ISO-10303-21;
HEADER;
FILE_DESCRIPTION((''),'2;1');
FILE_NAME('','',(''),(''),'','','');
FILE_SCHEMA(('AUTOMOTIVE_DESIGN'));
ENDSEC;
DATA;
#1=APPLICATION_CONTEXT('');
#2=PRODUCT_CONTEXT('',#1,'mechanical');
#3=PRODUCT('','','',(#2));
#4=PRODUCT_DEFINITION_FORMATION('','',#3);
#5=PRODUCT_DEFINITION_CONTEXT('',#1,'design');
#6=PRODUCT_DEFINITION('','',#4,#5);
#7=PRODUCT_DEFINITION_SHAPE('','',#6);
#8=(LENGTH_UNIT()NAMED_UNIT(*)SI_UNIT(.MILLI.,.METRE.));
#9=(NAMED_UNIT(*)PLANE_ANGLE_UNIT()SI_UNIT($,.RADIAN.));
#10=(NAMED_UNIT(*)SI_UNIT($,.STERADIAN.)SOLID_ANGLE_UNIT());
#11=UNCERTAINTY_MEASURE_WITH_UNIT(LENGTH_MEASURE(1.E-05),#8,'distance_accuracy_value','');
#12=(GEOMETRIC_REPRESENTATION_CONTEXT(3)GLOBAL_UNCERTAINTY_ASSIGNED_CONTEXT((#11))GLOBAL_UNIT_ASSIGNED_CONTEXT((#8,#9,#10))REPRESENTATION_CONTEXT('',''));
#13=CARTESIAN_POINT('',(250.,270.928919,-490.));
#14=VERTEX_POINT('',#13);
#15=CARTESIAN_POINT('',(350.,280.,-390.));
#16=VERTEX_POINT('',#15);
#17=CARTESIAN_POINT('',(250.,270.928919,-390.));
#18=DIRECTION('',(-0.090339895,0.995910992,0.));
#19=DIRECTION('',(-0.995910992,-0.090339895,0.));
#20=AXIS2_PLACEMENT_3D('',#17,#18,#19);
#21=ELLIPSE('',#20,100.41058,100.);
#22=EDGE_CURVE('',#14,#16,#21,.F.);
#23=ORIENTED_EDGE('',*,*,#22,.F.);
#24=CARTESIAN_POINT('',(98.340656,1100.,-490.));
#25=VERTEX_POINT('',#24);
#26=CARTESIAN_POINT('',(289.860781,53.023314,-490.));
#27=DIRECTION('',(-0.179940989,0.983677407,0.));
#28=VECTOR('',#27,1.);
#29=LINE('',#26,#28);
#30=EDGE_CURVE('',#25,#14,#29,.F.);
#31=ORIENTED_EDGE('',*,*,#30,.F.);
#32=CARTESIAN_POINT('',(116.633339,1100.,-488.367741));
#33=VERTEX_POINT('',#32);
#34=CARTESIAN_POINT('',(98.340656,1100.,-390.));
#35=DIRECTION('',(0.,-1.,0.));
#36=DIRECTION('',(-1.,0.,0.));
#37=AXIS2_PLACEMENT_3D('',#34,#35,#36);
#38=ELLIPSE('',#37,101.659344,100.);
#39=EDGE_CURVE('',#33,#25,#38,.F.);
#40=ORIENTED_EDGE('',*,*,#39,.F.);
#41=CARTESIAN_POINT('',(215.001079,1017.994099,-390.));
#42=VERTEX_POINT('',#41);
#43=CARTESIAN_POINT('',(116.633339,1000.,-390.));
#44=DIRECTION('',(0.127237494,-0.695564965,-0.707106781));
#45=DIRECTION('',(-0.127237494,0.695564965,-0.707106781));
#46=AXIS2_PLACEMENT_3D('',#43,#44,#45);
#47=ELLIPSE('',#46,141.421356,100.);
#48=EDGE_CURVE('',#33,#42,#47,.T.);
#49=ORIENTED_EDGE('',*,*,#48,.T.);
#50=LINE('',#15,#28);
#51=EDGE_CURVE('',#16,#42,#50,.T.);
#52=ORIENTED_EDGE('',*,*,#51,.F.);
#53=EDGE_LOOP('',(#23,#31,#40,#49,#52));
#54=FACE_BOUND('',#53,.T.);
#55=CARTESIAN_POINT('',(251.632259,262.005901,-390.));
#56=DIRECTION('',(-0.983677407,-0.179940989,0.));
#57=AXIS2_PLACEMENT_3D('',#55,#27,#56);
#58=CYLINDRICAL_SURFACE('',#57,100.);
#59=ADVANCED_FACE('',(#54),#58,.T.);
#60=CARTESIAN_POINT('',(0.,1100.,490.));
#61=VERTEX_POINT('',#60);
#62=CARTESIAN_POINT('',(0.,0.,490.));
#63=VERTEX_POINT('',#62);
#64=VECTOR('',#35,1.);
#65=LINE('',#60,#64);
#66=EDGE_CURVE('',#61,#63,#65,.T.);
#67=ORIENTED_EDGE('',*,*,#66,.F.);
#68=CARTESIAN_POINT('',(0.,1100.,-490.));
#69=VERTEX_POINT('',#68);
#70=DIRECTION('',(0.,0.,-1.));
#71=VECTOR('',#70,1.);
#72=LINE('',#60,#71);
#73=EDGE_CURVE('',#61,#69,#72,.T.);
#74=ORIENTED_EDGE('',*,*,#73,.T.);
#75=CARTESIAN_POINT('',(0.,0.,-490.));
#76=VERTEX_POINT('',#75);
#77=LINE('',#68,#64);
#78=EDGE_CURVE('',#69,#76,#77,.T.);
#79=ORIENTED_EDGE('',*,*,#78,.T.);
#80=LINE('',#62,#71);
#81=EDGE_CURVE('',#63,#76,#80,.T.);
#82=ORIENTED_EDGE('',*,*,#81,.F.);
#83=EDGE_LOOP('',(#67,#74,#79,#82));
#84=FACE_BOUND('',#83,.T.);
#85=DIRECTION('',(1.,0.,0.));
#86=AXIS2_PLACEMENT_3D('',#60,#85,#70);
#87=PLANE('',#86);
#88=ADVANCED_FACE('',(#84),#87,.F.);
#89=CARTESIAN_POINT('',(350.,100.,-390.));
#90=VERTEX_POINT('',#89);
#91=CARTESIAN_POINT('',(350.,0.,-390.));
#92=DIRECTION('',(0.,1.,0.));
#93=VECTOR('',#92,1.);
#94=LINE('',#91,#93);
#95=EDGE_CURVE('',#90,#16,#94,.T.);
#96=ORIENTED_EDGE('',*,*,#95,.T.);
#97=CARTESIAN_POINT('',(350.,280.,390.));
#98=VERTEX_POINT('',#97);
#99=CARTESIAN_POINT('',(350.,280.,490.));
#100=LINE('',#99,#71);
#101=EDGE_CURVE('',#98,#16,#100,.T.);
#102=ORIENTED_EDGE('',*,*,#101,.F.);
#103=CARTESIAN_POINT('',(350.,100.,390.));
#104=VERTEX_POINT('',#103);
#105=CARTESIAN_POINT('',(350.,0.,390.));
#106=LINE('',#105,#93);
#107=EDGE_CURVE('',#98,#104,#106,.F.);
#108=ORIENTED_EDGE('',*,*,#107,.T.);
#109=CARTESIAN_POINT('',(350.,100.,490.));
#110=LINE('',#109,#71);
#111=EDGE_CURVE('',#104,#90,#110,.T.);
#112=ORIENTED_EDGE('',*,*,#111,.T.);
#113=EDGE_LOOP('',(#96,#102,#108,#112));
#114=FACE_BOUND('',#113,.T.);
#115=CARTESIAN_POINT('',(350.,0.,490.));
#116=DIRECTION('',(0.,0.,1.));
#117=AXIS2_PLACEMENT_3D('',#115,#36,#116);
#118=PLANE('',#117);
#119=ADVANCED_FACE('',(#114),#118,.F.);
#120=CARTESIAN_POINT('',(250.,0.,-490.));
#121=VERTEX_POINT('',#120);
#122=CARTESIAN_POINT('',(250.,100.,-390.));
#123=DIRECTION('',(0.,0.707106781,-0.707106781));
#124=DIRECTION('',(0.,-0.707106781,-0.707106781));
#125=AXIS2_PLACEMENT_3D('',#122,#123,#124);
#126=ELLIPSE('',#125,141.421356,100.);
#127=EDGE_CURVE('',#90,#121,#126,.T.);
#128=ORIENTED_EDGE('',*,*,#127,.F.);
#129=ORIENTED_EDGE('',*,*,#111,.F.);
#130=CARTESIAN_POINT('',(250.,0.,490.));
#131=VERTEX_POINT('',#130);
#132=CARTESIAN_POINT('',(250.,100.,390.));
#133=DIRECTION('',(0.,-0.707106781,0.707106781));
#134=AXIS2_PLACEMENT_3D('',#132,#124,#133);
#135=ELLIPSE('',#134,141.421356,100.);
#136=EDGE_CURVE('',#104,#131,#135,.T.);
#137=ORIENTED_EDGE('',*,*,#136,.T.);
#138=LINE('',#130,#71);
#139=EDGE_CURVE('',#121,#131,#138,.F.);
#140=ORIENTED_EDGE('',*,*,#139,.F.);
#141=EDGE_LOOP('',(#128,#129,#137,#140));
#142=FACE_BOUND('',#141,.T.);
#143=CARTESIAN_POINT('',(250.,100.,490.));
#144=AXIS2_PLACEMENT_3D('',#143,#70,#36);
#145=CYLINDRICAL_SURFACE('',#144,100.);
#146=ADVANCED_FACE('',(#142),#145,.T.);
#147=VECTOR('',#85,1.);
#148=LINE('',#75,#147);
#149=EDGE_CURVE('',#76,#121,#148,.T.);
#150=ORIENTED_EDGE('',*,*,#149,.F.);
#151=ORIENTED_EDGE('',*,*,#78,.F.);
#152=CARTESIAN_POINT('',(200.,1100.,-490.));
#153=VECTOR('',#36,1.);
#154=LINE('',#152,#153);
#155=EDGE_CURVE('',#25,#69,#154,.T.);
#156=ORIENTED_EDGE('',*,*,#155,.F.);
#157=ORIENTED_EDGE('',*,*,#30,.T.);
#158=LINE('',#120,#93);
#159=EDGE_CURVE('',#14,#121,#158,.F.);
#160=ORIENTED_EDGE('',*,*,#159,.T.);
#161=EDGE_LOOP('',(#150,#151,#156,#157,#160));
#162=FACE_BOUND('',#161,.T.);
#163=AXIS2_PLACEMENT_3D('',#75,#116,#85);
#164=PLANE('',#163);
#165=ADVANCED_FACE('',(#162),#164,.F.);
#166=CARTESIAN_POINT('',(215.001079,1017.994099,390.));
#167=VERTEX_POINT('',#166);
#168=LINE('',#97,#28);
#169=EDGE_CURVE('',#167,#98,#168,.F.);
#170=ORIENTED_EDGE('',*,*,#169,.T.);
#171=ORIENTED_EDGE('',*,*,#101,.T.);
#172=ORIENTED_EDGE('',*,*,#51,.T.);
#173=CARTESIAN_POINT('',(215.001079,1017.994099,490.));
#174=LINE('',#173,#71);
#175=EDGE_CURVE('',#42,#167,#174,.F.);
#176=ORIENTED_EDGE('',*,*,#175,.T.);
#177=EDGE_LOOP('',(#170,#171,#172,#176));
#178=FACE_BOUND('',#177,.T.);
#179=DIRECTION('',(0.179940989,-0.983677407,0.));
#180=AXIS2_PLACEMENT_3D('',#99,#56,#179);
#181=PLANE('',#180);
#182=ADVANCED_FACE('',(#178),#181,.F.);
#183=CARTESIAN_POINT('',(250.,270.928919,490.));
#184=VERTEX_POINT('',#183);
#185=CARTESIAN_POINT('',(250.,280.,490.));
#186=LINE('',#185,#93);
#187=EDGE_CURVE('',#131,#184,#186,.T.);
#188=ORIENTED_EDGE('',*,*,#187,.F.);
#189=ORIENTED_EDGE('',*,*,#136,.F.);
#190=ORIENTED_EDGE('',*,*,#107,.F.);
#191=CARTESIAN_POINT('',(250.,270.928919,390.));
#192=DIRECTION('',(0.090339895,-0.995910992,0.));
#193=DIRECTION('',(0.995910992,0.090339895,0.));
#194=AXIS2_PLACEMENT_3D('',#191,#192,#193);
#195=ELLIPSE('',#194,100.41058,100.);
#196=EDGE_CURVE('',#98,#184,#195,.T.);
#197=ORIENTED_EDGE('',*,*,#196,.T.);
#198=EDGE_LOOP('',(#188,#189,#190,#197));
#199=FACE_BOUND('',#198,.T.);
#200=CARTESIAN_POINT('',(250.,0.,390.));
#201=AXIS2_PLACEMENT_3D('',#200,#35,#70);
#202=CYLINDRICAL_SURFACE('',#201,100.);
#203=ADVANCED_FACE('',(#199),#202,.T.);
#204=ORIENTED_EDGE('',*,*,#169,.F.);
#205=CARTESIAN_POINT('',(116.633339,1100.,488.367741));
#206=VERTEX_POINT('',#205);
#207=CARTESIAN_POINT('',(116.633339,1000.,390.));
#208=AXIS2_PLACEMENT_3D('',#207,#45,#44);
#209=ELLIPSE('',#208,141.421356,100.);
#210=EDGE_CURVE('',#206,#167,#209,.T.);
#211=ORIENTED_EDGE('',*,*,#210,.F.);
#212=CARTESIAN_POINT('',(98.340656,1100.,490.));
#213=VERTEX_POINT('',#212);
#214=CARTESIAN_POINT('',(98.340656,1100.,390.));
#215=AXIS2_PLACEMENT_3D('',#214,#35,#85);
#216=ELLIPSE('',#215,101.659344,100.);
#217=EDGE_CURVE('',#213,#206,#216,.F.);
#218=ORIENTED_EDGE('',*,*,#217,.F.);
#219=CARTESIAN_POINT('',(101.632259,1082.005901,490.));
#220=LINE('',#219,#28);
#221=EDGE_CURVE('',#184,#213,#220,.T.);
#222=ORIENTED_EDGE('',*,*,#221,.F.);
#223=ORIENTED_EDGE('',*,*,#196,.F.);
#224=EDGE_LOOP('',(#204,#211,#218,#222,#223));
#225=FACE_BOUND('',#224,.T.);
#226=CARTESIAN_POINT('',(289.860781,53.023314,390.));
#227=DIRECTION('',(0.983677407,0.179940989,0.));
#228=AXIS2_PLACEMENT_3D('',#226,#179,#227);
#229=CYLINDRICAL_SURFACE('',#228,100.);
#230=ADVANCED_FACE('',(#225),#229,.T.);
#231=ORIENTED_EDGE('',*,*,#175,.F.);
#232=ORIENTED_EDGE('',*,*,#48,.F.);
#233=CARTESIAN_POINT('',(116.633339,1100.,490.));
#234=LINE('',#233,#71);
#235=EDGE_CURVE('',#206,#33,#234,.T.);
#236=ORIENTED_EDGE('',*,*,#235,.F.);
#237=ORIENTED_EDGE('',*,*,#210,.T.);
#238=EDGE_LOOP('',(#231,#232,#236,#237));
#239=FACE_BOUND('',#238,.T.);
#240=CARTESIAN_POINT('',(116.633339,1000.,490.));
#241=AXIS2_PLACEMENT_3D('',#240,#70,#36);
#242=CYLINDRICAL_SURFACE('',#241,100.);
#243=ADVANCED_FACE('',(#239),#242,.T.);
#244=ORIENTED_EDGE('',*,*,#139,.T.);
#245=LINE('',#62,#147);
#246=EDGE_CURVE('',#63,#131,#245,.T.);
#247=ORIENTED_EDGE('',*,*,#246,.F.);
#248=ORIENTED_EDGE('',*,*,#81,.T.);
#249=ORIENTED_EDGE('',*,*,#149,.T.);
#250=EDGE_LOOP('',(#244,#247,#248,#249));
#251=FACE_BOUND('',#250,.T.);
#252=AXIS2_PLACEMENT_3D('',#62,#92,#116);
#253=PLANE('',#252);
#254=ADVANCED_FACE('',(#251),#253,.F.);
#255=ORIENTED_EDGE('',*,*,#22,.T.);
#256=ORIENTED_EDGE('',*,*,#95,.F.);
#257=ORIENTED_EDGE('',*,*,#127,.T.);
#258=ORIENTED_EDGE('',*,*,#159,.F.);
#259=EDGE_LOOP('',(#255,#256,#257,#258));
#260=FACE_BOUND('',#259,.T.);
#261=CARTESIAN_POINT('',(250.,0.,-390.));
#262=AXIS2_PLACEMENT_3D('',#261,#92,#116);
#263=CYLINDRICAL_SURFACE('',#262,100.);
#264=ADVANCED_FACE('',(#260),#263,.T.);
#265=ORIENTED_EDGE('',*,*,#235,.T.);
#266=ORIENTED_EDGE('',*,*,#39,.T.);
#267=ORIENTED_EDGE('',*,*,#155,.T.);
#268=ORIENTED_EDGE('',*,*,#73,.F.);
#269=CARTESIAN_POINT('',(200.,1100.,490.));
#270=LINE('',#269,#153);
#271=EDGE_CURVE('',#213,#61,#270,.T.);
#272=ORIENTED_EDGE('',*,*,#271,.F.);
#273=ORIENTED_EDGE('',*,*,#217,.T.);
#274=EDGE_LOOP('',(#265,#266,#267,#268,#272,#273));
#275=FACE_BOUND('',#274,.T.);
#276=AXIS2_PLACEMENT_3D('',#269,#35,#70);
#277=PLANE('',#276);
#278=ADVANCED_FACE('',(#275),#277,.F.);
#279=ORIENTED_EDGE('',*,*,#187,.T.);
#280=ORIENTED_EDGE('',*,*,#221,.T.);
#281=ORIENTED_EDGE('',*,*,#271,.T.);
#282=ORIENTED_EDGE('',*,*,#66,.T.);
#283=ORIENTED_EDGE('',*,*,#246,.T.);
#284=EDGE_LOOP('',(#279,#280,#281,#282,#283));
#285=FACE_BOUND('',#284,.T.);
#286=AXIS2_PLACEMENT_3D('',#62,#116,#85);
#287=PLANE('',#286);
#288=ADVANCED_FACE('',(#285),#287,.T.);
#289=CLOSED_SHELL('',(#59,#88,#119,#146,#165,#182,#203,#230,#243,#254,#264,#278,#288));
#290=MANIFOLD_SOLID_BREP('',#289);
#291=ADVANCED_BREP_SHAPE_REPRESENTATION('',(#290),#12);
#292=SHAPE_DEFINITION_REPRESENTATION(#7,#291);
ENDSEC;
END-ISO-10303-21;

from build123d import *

# Parameters (mm, degrees)
BOSS_EXTRUDE1_DEPTH = 490
FILLET1_R           = 100


with BuildPart() as part:
    # Sketch1 → Boss-Extrude1 (new body, symmetric)
    with BuildSketch(Plane.XY):
        Polygon((0, 1100), (0, 0), (350, 0), (350, 280), (200, 1100), align=None)
    extrude(amount=BOSS_EXTRUDE1_DEPTH, both=True)

    # Fillet1
    fillet1_edges = [part.edges().sort_by_distance(p)[0] for p in [
        (350, 140, 490),
        (275, 690, 490),
        (275, 690, -490),
        (350, 140, -490),
        (200, 1100, 0),
        (350, 0, 0),
    ]]
    fillet(fillet1_edges, radius=FILLET1_R)


solid = part.part
